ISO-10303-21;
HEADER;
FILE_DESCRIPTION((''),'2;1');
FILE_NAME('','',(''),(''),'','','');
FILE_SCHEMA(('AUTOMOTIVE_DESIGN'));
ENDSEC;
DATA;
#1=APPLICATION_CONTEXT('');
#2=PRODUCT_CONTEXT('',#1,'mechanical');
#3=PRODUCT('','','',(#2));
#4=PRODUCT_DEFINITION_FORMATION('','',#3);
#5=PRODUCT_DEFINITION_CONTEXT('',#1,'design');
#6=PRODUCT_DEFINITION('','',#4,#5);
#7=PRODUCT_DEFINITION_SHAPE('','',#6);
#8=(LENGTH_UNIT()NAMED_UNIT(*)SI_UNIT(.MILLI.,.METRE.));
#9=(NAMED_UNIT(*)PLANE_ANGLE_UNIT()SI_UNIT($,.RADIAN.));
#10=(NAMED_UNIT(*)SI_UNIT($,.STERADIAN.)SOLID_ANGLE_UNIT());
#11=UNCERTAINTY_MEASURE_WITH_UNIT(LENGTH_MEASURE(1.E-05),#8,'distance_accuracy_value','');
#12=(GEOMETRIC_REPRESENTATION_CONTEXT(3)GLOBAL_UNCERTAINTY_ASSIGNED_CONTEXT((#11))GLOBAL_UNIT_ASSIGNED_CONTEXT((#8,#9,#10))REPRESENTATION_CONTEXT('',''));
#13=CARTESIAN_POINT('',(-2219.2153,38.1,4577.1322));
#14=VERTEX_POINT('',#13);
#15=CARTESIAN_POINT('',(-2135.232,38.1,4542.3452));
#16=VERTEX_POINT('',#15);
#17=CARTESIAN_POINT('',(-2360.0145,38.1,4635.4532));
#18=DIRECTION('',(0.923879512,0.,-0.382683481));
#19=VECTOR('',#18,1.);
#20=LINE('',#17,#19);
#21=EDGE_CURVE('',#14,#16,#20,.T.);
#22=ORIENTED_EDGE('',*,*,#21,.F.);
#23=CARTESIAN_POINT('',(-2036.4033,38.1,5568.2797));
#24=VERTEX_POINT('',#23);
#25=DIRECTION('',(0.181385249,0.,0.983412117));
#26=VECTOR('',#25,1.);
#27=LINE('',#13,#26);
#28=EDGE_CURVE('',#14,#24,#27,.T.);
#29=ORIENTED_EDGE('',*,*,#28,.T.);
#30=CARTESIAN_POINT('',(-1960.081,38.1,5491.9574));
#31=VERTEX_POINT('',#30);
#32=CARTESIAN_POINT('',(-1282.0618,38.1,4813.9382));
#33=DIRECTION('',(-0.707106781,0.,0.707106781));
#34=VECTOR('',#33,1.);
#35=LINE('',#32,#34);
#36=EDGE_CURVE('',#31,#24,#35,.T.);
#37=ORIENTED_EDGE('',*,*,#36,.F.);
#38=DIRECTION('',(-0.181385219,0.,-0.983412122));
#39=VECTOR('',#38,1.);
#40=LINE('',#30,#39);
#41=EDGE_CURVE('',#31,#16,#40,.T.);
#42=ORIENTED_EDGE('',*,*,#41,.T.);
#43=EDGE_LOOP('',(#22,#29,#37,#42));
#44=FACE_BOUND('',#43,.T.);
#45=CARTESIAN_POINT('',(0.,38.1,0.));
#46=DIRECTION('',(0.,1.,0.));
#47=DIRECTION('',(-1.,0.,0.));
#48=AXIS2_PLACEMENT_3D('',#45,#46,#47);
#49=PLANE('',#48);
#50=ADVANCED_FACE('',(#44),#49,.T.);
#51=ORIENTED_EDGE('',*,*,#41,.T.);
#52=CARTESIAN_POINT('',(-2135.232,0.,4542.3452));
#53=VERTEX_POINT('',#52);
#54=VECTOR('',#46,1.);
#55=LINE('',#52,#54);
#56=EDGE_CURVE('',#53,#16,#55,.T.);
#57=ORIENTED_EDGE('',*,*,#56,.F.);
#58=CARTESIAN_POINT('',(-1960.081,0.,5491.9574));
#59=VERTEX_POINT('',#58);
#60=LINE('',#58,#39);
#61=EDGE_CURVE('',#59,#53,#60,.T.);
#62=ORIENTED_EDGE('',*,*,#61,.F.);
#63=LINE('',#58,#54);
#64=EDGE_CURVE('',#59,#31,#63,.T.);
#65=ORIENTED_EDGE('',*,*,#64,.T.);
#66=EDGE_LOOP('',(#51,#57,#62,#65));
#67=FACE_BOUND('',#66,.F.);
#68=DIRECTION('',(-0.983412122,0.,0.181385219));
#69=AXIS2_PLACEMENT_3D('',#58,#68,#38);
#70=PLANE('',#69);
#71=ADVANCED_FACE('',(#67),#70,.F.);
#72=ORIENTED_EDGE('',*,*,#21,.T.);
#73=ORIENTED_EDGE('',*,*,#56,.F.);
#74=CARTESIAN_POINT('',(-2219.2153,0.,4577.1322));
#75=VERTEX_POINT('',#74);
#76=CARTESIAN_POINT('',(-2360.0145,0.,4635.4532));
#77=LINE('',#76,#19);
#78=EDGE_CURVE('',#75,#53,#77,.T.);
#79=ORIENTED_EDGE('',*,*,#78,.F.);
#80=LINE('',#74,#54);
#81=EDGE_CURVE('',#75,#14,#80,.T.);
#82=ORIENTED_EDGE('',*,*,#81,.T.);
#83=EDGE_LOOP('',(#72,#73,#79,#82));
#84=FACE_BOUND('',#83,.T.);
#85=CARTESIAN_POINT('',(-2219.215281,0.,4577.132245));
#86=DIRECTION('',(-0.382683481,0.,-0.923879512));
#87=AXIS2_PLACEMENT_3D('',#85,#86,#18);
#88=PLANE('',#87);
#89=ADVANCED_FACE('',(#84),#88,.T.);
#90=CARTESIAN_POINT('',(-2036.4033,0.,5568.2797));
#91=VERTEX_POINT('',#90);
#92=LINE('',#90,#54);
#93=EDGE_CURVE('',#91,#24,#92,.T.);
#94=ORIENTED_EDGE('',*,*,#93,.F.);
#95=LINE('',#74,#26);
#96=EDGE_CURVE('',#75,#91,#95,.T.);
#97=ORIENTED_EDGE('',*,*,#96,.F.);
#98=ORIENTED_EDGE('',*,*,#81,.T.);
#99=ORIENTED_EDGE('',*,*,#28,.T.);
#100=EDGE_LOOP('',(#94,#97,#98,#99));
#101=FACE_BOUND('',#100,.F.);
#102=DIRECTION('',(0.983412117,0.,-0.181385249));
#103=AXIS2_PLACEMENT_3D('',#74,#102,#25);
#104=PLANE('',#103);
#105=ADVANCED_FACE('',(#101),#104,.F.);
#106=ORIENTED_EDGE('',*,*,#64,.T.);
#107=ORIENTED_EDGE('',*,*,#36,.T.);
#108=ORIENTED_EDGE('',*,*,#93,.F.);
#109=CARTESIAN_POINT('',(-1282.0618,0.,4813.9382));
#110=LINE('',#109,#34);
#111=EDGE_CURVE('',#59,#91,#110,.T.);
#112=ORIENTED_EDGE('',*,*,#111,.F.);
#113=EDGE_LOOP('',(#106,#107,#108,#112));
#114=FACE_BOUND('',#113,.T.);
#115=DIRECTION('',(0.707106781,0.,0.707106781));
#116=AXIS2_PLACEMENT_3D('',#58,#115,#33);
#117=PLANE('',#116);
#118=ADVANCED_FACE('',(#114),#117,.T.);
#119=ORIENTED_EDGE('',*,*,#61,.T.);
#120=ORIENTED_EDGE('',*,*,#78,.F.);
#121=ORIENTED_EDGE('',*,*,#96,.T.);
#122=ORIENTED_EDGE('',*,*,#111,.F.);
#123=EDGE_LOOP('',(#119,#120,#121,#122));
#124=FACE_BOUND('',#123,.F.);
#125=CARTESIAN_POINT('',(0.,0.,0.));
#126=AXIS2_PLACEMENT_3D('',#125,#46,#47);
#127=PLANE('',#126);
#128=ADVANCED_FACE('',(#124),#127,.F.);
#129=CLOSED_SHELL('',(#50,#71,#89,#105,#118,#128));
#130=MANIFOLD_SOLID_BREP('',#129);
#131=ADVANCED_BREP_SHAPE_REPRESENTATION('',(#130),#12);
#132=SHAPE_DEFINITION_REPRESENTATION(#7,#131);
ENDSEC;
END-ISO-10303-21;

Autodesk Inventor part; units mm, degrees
ref_plane "YZ Plane" through (0, 0, 0) normal (1, 0, 0) x (0, 1, 0)
ref_plane "XZ Plane" through (0, 0, 0) normal (0, 1, 0) x (-1, 0, 0)
ref_plane "XY Plane" through (0, 0, 0) normal (0, 0, 1) x (1, 0, 0)
sketch "Sketch1" plane through (0, 0, 0) normal (0, 1, 0) x (-1, 0, 0)
  line L0 (0, 0) -> (0, -1219.2)
  line L1 (0, 0) -> (88.9, 0)
  line L2 (88.9, 0) -> (88.9, -1219.2)
  line L3 (88.9, -1219.2) -> (0, -1219.2)
  line L4 (0, 0) -> (0, 1219.2) construction
  line L5 (0, 1219.2) -> (1219.2, 1219.2) construction
  line L6 (0, 1219.2) -> (0, 3657.6) construction
  line L7 (0, 3657.6) -> (0, 4876.8) construction
  line L8 (0, 4876.8) -> (0, 6096) construction
  line L9 (0, -1219.2) -> (2438.4, -1219.2) construction
  line L10 (0, 6096) -> (2438.4, 6096) construction
  line L11 (2438.4, 6096) -> (2438.4, -1219.2) construction
  line L12 (0, 3657.6) -> (0, 3352.8) construction
  line L13 (0, 3352.8) -> (2438.4, 3352.8) construction
  line L14 (2438.4, 3352.8) -> (1219.2, 3352.8)
  line L15 (1219.2, 3352.8) -> (1219.2, 3263.9)
  line L16 (1219.2, 3263.9) -> (2438.4, 3263.9)
  line L17 (2438.4, 3263.9) -> (2438.4, 3352.8)
  line L18 (0, 6096) -> (862.1046, 6958.1046)
  line L19 (862.1046, 6958.1046) -> (924.9664, 6895.2428)
  line L20 (924.9664, 6895.2428) -> (62.8618, 6033.1382)
  line L21 (62.8618, 6033.1382) -> (0, 6096)
  line L22 (0, 4876.8) -> (1219.2, 4876.8) construction
  line L23 (1219.2, 4876.8) -> (2081.3046, 5738.9046)
  line L24 (1219.2, 1219.2) -> (2081.3046, 357.0954)
  line L25 (2081.3046, 357.0954) -> (2018.4428, 294.2336)
  line L26 (2018.4428, 294.2336) -> (1156.3382, 1156.3382)
  line L27 (1156.3382, 1156.3382) -> (1219.2, 1219.2)
  line L28 (2018.4428, 294.2336) -> (88.9, -1219.2)
  line L29 (2081.3046, 357.0954) -> (2144.1664, 419.9572)
  line L30 (2144.1664, 419.9572) -> (1282.0618, 1282.0618)
  line L31 (1282.0618, 1282.0618) -> (1219.2, 1219.2)
  line L32 (2438.4, 3352.8) -> (2438.4, 3441.7)
  line L33 (2438.4, 3441.7) -> (1219.2, 3441.7)
  line L34 (1219.2, 3441.7) -> (1219.2, 3352.8)
  line L35 (1156.3382, 4939.6618) -> (1282.0618, 4813.9382)
  line L36 (2018.4428, 5801.7664) -> (2144.1664, 5676.0428)
  line L37 (1282.0618, 4813.9382) -> (2144.1664, 5676.0428)
  line L38 (2018.4428, 5801.7664) -> (1156.3382, 4939.6618)
  line L39 (2018.4428, 5801.7664) -> (924.9664, 6895.2428)
  line L40 (62.8618, 6033.1382) -> (1156.3382, 4939.6618)
  line L41 (1233.6206, 4168.8855) -> (1267.6412, 4086.7527)
  line L42 (1263.7078, 2313.9849) -> (1230.0006, 2231.7229)
  arc A0 (862.1046, 6958.1046) -> (0, 6096) centre (431.0523, 6527.0523) ccw
  line L43 (1246.8542, 2272.8539) -> (2375.0183, 1810.583)
  line L44 (2391.8719, 1851.7139) -> (2358.1646, 1769.452)
  line L45 (2391.8719, 1851.7139) -> (1263.7078, 2313.9849)
  line L46 (1230.0006, 2231.7229) -> (2358.1646, 1769.452)
  line L47 (1230.0006, 2231.7229) -> (1219.2, 3263.9)
  line L48 (2144.1664, 419.9572) -> (2391.8719, 1851.7139)
  line L49 (2391.8719, 1851.7139) -> (2438.4, 3263.9)
  line L50 (1219.2, 3441.7) -> (1233.6206, 4168.8855)
  line L51 (1250.6309, 4127.8191) -> (2377.0248, 4594.3867)
  line L52 (2360.0145, 4635.4532) -> (2394.0351, 4553.3203)
  line L53 (2394.0351, 4553.3203) -> (1267.6412, 4086.7527)
  line L54 (2360.0145, 4635.4532) -> (1233.6206, 4168.8855)
  line L55 (2394.0351, 4553.3203) -> (2144.1664, 5676.0428)
  line L56 (2438.4, 3441.7) -> (2394.0351, 4553.3203)
  line L57 (2144.1664, 5676.0428) -> (2057.3895, 5656.7301)
  line L58 (2394.0351, 4553.3203) -> (2305.2058, 4549.7751)
  line L59 (2394.0351, 4553.3203) -> (2307.2582, 4534.0076)
  line L60 (2307.2582, 4534.0076) -> (2057.3895, 5656.7301)
  line L61 (2438.4, 3441.7) -> (2349.5707, 3438.1548)
  line L62 (2349.5707, 3438.1548) -> (2305.2058, 4549.7751)
  line L63 (1219.2, 3441.7) -> (1308.0825, 3439.9374)
  line L64 (1233.6206, 4168.8855) -> (1322.5031, 4167.1229)
  line L65 (1322.5031, 4167.1229) -> (1308.0825, 3439.9374)
  line L66 (2018.4428, 5801.7664) -> (1955.581, 5738.9046)
  line L67 (1955.581, 5738.9046) -> (862.1046, 6832.381)
  line L68 (924.9664, 6895.2428) -> (862.1046, 6832.381)
  line L69 (62.8618, 6033.1382) -> (125.7236, 6096)
  line L70 (62.8618, 6033.1382) -> (125.7236, 6096)
  line L71 (125.7236, 6096) -> (1219.2, 5002.5236)
  line L72 (1156.3382, 1156.3382) -> (0, 0)
  line L73 (0, 0) -> (62.8618, -62.8618)
  line L74 (1156.3382, 1156.3382) -> (1219.2, 1093.4764)
  line L75 (1219.2, 1093.4764) -> (62.8618, -62.8618)
  line L76 (2018.4428, 294.2336) -> (1963.5776, 364.1837)
  line L77 (88.9, -1219.2) -> (34.0348, -1149.2499)
  line L78 (34.0348, -1149.2499) -> (1963.5776, 364.1837)
  line L79 (2144.1664, 419.9572) -> (2056.5677, 435.1125)
  line L80 (2391.8719, 1851.7139) -> (2304.2732, 1866.8692)
  line L81 (2391.8719, 1851.7139) -> (2303.0201, 1854.6414)
  line L82 (2304.2732, 1866.8692) -> (2056.5677, 435.1125)
  line L83 (1230.0006, 2231.7229) -> (1318.8957, 2232.6531)
  line L84 (1219.2, 3263.9) -> (1308.0951, 3264.8302)
  line L85 (1308.0951, 3264.8302) -> (1318.8957, 2232.6531)
  line L86 (2438.4, 3263.9) -> (2349.5482, 3266.8275)
  line L87 (2349.5482, 3266.8275) -> (2303.0201, 1854.6414)
  line L88 (88.9, 0) -> (125.7236, 0)
  line L89 (1233.6206, 4168.8855) -> (1219.2, 4876.8)
  line L90 (1233.6206, 4168.8855) -> (1322.5022, 4170.6961)
  line L91 (1219.2, 4876.8) -> (1308.0816, 4878.6106)
  line L92 (1308.0816, 4878.6106) -> (1322.5022, 4170.6961)
  line L93 (1282.0618, 4813.9382) -> (1309.9674, 4786.0326)
  line L94 (1267.6412, 4086.7527) -> (1318.4756, 3964.0275)
  line L95 (2360.0145, 4635.4532) -> (2374.4273, 4641.4231)
  line L96 (1230.0006, 2231.7229) -> (1219.2, 1219.2)
  line L97 (1230.0006, 2231.7229) -> (1318.8955, 2230.7747)
  line L98 (1219.2, 1219.2) -> (1308.0949, 1218.2518)
  line L99 (1308.0949, 1218.2518) -> (1318.8955, 2230.7747)
  line L100 (1282.0618, 1282.0618) -> (1309.0636, 1309.0636)
  line L101 (1263.7078, 2313.9849) -> (1316.7428, 2438.4)
  line L102 (2358.1646, 1769.452) -> (2376.5379, 1763.082)
  line L103 (2286, 3352.8) -> (1371.6, 3352.8)
  line L104 (2286, 3441.7) -> (2286, 3263.9)
  line L105 (1371.6, 3441.7) -> (1371.6, 3263.9)
  line L106 (0, -152.4) -> (0, -1066.8)
  line L107 (0, -152.4) -> (88.9, -152.4)
  line L108 (0, -1066.8) -> (88.9, -1066.8)
  line L109 (1326.9631, 1111.4369) -> (1973.5415, 464.8585)
  line L110 (2036.4033, 527.7203) -> (1910.6797, 401.9967)
  line L111 (1389.8249, 1174.2987) -> (1264.1013, 1048.5751)
  line L112 (2233.9978, 1868.3668) -> (1387.8747, 2215.07)
  line L113 (1404.7283, 2256.201) -> (1371.0211, 2173.939)
  line L114 (2250.8514, 1909.4978) -> (2217.1441, 1827.2358)
  line L115 (1371.0211, 2173.939) -> (1389.8249, 1174.2987)
  line L116 (1264.1013, 1048.5751) -> (88.9, -152.4)
  line L117 (2217.1441, 1827.2358) -> (2036.4033, 527.7203)
  line L118 (1910.6797, 401.9967) -> (88.9, -1066.8)
  line L119 (88.9, -1066.8) -> (33.1016, -997.592)
  line L120 (1910.6797, 401.9967) -> (1854.8813, 471.2047)
  line L121 (1854.8813, 471.2047) -> (33.1016, -997.592)
  line L122 (88.9, -152.4) -> (0, -243.2497)
  line L123 (0, -243.2497) -> (63.5399, -305.426)
  line L124 (1263.7078, 1048.9686) -> (1327.2477, 986.7923)
  line L125 (1327.2477, 986.7923) -> (88.9, -278.7141)
  line L126 (1389.8249, 1174.2987) -> (1392.2351, 1046.1649)
  line L127 (1392.2351, 1046.1649) -> (1481.1194, 1047.8368)
  line L128 (1371.0211, 2173.939) -> (1459.9053, 2175.611)
  line L129 (1459.9053, 2175.611) -> (1460.6275, 2137.2224)
  line L130 (2036.4033, 527.7203) -> (1948.3509, 539.9669)
  line L131 (2217.1441, 1827.2358) -> (2223.465, 1872.6827)
  line L132 (2223.465, 1872.6827) -> (2135.4126, 1884.9293)
  line L133 (2135.4126, 1884.9293) -> (2132.2278, 1862.0307)
  line L134 (88.9, -278.7141) -> (63.1422, -305.0368)
  line L135 (2132.2278, 1862.0307) -> (1948.3509, 539.9669)
  line L136 (1480.4452, 1083.6784) -> (1481.1194, 1047.8368)
  line L137 (1460.6275, 2137.2224) -> (1480.4452, 1083.6784)
  line L138 (1973.5415, 5631.1415) -> (1326.9631, 4984.5631)
  line L139 (1264.1013, 5047.4249) -> (1389.8249, 4921.7013)
  line L140 (1910.6797, 5694.0033) -> (2036.4033, 5568.2797)
  line L141 (1404.7283, 2256.201) -> (1371.6, 3263.9)
  line L142 (2250.8514, 1909.4978) -> (2286, 3263.9)
  line L143 (2236.2256, 4536.0658) -> (1391.4301, 4186.1401)
  line L144 (1374.4199, 4227.2065) -> (1408.4404, 4145.0736)
  line L145 (2219.2153, 4577.1322) -> (2253.2359, 4494.9993)
  line L146 (2286, 3441.7) -> (2253.2359, 4494.9993)
  line L147 (2219.2153, 4577.1322) -> (2036.4033, 5568.2797)
  line L148 (1374.4199, 4227.2065) -> (1389.8249, 4921.7013)
  line L149 (2036.4033, 5568.2797) -> (1948.978, 5552.1546)
  line L150 (2219.2153, 4577.1322) -> (2227.4595, 4532.4348)
  line L151 (2227.4595, 4532.4348) -> (2140.0342, 4516.3096)
  line L152 (1948.978, 5552.1546) -> (1960.081, 5491.9574)
  line L153 (1374.4199, 4227.2065) -> (1463.298, 4225.235)
  line L154 (1389.8249, 4921.7013) -> (1392.6769, 5050.2769)
  line L155 (1392.6769, 5050.2769) -> (1481.555, 5048.3054)
  line L156 (1463.298, 4225.235) -> (1481.555, 5048.3054)
  line L157 (2253.2359, 4494.9993) -> (2164.3788, 4492.2353)
  line L158 (2286, 3441.7) -> (2197.143, 3438.936)
  line L159 (2197.143, 3438.936) -> (2164.3788, 4492.2353)
  line L160 (1408.4404, 4145.0736) -> (1371.6, 3441.7)
  line L161 (2286, 3263.9) -> (2197.1299, 3266.2063)
  line L162 (2250.8514, 1909.4978) -> (2161.9813, 1911.8041)
  line L163 (2161.9813, 1911.8041) -> (2197.1299, 3266.2063)
  line L164 (1408.4404, 4145.0736) -> (1411.0163, 4194.2529)
  line L165 (1411.0163, 4194.2529) -> (1499.7946, 4189.603)
  line L166 (1371.6, 3441.7) -> (1460.3783, 3437.0501)
  line L167 (1460.3783, 3437.0501) -> (1460.6219, 3441.7)
  line L168 (1371.6, 3263.9) -> (1460.452, 3266.821)
  line L169 (1404.7283, 2256.201) -> (1406.3291, 2207.5082)
  line L170 (1406.3291, 2207.5082) -> (1495.1811, 2210.4293)
  line L171 (1495.1811, 2210.4293) -> (1494.8909, 2219.2564)
  line L172 (1494.8909, 2219.2564) -> (1460.548, 3263.9)
  line L173 (1460.548, 3263.9) -> (1460.452, 3266.821)
  line L174 (1460.6219, 3441.7) -> (1499.4364, 4182.7654)
  line L175 (1499.4364, 4182.7654) -> (1499.7946, 4189.603)
  line L176 (2135.232, 4542.3452) -> (2140.0342, 4516.3096)
  line L177 (1960.081, 5491.9574) -> (2135.232, 4542.3452)
  point P0 (1955.1236, 357.5528)
  point P1 (88.9, -1106.2164)
  point P2 (2292.1025, 1796.5213)
  point P3 (2067.2525, 496.8711)
  point P4 (1318.5187, 2195.4522)
  point P5 (1308.1049, 3263.9)
  point P6 (2349.4518, 3263.9)
  point P7 (2304.1085, 1887.6754)
  point P8 (2306.5112, 4517.0667)
  point P9 (2349.4292, 3441.7)
  point P10 (1308.1175, 3441.7)
  point P11 (2069.6708, 5601.5472)
  point P12 (2291.0394, 4606.8827)
  point P13 (1321.7951, 4205.4086)
  point P14 (1828.8, 3352.8)
  point P15 (0, -609.6)
  point P16 (1650.2523, 788.1477)
  point P17 (1810.9362, 2041.7184)
  point P18 (88.9, -278.7141)
  point P19 (1326.5733, 986.1031)
  point P20 (1957.6068, 606.5167)
  point P21 (1957.6068, 606.5167)
  point P22 (1480.4452, 1083.6784)
  point P23 (1650.2523, 5307.8523)
  point P24 (1813.8279, 4361.1029)
  point P25 (2197.0701, 3263.9)
  point P26 (2162.8572, 1945.5539)
  point P27 (2165.4243, 4458.6266)
  point P28 (2197.057, 3441.7)
  dimension "d0" = 1219.2
  dimension "d2" = 1219.2
  dimension "d3" = 1219.2
  dimension "d16" = 2438.4
  dimension "d17" = 1219.2
  dimension "d18" = 1219.2
  dimension "d20" = 2438.4
  dimension "d21" = 304.8
  dimension "d22" = 1219.2
  dimension "d23" = 88.9
  dimension "d24" = 1219.2
  dimension "d25" = 45
  dimension "d26" = 88.9
  dimension "d27" = 1219.2
  dimension "d28" = 1219.2
  dimension "d29" = 1219.2
  dimension "d31" = 1219.2
  dimension "d32" = 88.9
  dimension "d33" = 88.9
  dimension "d34" = 88.9
  dimension "d35" = 177.8
  dimension "d36" = 177.8
  dimension "d38" = 88.9
  dimension "d39" = 88.9
  dimension "d43" = 1219.2
  dimension "d44" = 88.9
  dimension "d45" = 1219.2
  dimension "d46" = 88.9
  dimension "d47" = 88.9
  dimension "d48" = 88.9
  dimension "d49" = 88.9
  dimension "d50" = 88.9
  dimension "d51" = 88.9
  dimension "d54" = 88.9
  dimension "d55" = 88.9
  dimension "d57" = 88.9
  dimension "d58" = 88.9
  dimension "d59" = 88.9
  dimension "d60" = 88.9
  dimension "d61" = 88.9
  dimension "d64" = 88.9
  dimension "d65" = 88.9
  dimension "d66" = 88.9
  dimension "d69" = 88.9
  dimension "d70" = 88.9
  dimension "d71" = 88.9
  dimension "d72" = 88.9
  dimension "d73" = 914.4
  dimension "d74" = 914.4
  dimension "d75" = 914.4
  dimension "d76" = 914.4
  dimension "d77" = 88.9
  dimension "d78" = 88.9
  dimension "d79" = 88.9
  dimension "d80" = 88.9
  dimension "d83" = 88.9
  dimension "d84" = 88.9
  dimension "d85" = 88.9
  dimension "d86" = 88.9
  dimension "d89" = 914.4
  dimension "d90" = 914.4
  dimension "d91" = 88.9
  dimension "d92" = 88.9
  dimension "d93" = 88.9
extrude "Extrusion3" add sketch "Sketch1" along normal blind 38.1 contours L54 L177 L37 L147
properties part number "S_2x4x40.427"
